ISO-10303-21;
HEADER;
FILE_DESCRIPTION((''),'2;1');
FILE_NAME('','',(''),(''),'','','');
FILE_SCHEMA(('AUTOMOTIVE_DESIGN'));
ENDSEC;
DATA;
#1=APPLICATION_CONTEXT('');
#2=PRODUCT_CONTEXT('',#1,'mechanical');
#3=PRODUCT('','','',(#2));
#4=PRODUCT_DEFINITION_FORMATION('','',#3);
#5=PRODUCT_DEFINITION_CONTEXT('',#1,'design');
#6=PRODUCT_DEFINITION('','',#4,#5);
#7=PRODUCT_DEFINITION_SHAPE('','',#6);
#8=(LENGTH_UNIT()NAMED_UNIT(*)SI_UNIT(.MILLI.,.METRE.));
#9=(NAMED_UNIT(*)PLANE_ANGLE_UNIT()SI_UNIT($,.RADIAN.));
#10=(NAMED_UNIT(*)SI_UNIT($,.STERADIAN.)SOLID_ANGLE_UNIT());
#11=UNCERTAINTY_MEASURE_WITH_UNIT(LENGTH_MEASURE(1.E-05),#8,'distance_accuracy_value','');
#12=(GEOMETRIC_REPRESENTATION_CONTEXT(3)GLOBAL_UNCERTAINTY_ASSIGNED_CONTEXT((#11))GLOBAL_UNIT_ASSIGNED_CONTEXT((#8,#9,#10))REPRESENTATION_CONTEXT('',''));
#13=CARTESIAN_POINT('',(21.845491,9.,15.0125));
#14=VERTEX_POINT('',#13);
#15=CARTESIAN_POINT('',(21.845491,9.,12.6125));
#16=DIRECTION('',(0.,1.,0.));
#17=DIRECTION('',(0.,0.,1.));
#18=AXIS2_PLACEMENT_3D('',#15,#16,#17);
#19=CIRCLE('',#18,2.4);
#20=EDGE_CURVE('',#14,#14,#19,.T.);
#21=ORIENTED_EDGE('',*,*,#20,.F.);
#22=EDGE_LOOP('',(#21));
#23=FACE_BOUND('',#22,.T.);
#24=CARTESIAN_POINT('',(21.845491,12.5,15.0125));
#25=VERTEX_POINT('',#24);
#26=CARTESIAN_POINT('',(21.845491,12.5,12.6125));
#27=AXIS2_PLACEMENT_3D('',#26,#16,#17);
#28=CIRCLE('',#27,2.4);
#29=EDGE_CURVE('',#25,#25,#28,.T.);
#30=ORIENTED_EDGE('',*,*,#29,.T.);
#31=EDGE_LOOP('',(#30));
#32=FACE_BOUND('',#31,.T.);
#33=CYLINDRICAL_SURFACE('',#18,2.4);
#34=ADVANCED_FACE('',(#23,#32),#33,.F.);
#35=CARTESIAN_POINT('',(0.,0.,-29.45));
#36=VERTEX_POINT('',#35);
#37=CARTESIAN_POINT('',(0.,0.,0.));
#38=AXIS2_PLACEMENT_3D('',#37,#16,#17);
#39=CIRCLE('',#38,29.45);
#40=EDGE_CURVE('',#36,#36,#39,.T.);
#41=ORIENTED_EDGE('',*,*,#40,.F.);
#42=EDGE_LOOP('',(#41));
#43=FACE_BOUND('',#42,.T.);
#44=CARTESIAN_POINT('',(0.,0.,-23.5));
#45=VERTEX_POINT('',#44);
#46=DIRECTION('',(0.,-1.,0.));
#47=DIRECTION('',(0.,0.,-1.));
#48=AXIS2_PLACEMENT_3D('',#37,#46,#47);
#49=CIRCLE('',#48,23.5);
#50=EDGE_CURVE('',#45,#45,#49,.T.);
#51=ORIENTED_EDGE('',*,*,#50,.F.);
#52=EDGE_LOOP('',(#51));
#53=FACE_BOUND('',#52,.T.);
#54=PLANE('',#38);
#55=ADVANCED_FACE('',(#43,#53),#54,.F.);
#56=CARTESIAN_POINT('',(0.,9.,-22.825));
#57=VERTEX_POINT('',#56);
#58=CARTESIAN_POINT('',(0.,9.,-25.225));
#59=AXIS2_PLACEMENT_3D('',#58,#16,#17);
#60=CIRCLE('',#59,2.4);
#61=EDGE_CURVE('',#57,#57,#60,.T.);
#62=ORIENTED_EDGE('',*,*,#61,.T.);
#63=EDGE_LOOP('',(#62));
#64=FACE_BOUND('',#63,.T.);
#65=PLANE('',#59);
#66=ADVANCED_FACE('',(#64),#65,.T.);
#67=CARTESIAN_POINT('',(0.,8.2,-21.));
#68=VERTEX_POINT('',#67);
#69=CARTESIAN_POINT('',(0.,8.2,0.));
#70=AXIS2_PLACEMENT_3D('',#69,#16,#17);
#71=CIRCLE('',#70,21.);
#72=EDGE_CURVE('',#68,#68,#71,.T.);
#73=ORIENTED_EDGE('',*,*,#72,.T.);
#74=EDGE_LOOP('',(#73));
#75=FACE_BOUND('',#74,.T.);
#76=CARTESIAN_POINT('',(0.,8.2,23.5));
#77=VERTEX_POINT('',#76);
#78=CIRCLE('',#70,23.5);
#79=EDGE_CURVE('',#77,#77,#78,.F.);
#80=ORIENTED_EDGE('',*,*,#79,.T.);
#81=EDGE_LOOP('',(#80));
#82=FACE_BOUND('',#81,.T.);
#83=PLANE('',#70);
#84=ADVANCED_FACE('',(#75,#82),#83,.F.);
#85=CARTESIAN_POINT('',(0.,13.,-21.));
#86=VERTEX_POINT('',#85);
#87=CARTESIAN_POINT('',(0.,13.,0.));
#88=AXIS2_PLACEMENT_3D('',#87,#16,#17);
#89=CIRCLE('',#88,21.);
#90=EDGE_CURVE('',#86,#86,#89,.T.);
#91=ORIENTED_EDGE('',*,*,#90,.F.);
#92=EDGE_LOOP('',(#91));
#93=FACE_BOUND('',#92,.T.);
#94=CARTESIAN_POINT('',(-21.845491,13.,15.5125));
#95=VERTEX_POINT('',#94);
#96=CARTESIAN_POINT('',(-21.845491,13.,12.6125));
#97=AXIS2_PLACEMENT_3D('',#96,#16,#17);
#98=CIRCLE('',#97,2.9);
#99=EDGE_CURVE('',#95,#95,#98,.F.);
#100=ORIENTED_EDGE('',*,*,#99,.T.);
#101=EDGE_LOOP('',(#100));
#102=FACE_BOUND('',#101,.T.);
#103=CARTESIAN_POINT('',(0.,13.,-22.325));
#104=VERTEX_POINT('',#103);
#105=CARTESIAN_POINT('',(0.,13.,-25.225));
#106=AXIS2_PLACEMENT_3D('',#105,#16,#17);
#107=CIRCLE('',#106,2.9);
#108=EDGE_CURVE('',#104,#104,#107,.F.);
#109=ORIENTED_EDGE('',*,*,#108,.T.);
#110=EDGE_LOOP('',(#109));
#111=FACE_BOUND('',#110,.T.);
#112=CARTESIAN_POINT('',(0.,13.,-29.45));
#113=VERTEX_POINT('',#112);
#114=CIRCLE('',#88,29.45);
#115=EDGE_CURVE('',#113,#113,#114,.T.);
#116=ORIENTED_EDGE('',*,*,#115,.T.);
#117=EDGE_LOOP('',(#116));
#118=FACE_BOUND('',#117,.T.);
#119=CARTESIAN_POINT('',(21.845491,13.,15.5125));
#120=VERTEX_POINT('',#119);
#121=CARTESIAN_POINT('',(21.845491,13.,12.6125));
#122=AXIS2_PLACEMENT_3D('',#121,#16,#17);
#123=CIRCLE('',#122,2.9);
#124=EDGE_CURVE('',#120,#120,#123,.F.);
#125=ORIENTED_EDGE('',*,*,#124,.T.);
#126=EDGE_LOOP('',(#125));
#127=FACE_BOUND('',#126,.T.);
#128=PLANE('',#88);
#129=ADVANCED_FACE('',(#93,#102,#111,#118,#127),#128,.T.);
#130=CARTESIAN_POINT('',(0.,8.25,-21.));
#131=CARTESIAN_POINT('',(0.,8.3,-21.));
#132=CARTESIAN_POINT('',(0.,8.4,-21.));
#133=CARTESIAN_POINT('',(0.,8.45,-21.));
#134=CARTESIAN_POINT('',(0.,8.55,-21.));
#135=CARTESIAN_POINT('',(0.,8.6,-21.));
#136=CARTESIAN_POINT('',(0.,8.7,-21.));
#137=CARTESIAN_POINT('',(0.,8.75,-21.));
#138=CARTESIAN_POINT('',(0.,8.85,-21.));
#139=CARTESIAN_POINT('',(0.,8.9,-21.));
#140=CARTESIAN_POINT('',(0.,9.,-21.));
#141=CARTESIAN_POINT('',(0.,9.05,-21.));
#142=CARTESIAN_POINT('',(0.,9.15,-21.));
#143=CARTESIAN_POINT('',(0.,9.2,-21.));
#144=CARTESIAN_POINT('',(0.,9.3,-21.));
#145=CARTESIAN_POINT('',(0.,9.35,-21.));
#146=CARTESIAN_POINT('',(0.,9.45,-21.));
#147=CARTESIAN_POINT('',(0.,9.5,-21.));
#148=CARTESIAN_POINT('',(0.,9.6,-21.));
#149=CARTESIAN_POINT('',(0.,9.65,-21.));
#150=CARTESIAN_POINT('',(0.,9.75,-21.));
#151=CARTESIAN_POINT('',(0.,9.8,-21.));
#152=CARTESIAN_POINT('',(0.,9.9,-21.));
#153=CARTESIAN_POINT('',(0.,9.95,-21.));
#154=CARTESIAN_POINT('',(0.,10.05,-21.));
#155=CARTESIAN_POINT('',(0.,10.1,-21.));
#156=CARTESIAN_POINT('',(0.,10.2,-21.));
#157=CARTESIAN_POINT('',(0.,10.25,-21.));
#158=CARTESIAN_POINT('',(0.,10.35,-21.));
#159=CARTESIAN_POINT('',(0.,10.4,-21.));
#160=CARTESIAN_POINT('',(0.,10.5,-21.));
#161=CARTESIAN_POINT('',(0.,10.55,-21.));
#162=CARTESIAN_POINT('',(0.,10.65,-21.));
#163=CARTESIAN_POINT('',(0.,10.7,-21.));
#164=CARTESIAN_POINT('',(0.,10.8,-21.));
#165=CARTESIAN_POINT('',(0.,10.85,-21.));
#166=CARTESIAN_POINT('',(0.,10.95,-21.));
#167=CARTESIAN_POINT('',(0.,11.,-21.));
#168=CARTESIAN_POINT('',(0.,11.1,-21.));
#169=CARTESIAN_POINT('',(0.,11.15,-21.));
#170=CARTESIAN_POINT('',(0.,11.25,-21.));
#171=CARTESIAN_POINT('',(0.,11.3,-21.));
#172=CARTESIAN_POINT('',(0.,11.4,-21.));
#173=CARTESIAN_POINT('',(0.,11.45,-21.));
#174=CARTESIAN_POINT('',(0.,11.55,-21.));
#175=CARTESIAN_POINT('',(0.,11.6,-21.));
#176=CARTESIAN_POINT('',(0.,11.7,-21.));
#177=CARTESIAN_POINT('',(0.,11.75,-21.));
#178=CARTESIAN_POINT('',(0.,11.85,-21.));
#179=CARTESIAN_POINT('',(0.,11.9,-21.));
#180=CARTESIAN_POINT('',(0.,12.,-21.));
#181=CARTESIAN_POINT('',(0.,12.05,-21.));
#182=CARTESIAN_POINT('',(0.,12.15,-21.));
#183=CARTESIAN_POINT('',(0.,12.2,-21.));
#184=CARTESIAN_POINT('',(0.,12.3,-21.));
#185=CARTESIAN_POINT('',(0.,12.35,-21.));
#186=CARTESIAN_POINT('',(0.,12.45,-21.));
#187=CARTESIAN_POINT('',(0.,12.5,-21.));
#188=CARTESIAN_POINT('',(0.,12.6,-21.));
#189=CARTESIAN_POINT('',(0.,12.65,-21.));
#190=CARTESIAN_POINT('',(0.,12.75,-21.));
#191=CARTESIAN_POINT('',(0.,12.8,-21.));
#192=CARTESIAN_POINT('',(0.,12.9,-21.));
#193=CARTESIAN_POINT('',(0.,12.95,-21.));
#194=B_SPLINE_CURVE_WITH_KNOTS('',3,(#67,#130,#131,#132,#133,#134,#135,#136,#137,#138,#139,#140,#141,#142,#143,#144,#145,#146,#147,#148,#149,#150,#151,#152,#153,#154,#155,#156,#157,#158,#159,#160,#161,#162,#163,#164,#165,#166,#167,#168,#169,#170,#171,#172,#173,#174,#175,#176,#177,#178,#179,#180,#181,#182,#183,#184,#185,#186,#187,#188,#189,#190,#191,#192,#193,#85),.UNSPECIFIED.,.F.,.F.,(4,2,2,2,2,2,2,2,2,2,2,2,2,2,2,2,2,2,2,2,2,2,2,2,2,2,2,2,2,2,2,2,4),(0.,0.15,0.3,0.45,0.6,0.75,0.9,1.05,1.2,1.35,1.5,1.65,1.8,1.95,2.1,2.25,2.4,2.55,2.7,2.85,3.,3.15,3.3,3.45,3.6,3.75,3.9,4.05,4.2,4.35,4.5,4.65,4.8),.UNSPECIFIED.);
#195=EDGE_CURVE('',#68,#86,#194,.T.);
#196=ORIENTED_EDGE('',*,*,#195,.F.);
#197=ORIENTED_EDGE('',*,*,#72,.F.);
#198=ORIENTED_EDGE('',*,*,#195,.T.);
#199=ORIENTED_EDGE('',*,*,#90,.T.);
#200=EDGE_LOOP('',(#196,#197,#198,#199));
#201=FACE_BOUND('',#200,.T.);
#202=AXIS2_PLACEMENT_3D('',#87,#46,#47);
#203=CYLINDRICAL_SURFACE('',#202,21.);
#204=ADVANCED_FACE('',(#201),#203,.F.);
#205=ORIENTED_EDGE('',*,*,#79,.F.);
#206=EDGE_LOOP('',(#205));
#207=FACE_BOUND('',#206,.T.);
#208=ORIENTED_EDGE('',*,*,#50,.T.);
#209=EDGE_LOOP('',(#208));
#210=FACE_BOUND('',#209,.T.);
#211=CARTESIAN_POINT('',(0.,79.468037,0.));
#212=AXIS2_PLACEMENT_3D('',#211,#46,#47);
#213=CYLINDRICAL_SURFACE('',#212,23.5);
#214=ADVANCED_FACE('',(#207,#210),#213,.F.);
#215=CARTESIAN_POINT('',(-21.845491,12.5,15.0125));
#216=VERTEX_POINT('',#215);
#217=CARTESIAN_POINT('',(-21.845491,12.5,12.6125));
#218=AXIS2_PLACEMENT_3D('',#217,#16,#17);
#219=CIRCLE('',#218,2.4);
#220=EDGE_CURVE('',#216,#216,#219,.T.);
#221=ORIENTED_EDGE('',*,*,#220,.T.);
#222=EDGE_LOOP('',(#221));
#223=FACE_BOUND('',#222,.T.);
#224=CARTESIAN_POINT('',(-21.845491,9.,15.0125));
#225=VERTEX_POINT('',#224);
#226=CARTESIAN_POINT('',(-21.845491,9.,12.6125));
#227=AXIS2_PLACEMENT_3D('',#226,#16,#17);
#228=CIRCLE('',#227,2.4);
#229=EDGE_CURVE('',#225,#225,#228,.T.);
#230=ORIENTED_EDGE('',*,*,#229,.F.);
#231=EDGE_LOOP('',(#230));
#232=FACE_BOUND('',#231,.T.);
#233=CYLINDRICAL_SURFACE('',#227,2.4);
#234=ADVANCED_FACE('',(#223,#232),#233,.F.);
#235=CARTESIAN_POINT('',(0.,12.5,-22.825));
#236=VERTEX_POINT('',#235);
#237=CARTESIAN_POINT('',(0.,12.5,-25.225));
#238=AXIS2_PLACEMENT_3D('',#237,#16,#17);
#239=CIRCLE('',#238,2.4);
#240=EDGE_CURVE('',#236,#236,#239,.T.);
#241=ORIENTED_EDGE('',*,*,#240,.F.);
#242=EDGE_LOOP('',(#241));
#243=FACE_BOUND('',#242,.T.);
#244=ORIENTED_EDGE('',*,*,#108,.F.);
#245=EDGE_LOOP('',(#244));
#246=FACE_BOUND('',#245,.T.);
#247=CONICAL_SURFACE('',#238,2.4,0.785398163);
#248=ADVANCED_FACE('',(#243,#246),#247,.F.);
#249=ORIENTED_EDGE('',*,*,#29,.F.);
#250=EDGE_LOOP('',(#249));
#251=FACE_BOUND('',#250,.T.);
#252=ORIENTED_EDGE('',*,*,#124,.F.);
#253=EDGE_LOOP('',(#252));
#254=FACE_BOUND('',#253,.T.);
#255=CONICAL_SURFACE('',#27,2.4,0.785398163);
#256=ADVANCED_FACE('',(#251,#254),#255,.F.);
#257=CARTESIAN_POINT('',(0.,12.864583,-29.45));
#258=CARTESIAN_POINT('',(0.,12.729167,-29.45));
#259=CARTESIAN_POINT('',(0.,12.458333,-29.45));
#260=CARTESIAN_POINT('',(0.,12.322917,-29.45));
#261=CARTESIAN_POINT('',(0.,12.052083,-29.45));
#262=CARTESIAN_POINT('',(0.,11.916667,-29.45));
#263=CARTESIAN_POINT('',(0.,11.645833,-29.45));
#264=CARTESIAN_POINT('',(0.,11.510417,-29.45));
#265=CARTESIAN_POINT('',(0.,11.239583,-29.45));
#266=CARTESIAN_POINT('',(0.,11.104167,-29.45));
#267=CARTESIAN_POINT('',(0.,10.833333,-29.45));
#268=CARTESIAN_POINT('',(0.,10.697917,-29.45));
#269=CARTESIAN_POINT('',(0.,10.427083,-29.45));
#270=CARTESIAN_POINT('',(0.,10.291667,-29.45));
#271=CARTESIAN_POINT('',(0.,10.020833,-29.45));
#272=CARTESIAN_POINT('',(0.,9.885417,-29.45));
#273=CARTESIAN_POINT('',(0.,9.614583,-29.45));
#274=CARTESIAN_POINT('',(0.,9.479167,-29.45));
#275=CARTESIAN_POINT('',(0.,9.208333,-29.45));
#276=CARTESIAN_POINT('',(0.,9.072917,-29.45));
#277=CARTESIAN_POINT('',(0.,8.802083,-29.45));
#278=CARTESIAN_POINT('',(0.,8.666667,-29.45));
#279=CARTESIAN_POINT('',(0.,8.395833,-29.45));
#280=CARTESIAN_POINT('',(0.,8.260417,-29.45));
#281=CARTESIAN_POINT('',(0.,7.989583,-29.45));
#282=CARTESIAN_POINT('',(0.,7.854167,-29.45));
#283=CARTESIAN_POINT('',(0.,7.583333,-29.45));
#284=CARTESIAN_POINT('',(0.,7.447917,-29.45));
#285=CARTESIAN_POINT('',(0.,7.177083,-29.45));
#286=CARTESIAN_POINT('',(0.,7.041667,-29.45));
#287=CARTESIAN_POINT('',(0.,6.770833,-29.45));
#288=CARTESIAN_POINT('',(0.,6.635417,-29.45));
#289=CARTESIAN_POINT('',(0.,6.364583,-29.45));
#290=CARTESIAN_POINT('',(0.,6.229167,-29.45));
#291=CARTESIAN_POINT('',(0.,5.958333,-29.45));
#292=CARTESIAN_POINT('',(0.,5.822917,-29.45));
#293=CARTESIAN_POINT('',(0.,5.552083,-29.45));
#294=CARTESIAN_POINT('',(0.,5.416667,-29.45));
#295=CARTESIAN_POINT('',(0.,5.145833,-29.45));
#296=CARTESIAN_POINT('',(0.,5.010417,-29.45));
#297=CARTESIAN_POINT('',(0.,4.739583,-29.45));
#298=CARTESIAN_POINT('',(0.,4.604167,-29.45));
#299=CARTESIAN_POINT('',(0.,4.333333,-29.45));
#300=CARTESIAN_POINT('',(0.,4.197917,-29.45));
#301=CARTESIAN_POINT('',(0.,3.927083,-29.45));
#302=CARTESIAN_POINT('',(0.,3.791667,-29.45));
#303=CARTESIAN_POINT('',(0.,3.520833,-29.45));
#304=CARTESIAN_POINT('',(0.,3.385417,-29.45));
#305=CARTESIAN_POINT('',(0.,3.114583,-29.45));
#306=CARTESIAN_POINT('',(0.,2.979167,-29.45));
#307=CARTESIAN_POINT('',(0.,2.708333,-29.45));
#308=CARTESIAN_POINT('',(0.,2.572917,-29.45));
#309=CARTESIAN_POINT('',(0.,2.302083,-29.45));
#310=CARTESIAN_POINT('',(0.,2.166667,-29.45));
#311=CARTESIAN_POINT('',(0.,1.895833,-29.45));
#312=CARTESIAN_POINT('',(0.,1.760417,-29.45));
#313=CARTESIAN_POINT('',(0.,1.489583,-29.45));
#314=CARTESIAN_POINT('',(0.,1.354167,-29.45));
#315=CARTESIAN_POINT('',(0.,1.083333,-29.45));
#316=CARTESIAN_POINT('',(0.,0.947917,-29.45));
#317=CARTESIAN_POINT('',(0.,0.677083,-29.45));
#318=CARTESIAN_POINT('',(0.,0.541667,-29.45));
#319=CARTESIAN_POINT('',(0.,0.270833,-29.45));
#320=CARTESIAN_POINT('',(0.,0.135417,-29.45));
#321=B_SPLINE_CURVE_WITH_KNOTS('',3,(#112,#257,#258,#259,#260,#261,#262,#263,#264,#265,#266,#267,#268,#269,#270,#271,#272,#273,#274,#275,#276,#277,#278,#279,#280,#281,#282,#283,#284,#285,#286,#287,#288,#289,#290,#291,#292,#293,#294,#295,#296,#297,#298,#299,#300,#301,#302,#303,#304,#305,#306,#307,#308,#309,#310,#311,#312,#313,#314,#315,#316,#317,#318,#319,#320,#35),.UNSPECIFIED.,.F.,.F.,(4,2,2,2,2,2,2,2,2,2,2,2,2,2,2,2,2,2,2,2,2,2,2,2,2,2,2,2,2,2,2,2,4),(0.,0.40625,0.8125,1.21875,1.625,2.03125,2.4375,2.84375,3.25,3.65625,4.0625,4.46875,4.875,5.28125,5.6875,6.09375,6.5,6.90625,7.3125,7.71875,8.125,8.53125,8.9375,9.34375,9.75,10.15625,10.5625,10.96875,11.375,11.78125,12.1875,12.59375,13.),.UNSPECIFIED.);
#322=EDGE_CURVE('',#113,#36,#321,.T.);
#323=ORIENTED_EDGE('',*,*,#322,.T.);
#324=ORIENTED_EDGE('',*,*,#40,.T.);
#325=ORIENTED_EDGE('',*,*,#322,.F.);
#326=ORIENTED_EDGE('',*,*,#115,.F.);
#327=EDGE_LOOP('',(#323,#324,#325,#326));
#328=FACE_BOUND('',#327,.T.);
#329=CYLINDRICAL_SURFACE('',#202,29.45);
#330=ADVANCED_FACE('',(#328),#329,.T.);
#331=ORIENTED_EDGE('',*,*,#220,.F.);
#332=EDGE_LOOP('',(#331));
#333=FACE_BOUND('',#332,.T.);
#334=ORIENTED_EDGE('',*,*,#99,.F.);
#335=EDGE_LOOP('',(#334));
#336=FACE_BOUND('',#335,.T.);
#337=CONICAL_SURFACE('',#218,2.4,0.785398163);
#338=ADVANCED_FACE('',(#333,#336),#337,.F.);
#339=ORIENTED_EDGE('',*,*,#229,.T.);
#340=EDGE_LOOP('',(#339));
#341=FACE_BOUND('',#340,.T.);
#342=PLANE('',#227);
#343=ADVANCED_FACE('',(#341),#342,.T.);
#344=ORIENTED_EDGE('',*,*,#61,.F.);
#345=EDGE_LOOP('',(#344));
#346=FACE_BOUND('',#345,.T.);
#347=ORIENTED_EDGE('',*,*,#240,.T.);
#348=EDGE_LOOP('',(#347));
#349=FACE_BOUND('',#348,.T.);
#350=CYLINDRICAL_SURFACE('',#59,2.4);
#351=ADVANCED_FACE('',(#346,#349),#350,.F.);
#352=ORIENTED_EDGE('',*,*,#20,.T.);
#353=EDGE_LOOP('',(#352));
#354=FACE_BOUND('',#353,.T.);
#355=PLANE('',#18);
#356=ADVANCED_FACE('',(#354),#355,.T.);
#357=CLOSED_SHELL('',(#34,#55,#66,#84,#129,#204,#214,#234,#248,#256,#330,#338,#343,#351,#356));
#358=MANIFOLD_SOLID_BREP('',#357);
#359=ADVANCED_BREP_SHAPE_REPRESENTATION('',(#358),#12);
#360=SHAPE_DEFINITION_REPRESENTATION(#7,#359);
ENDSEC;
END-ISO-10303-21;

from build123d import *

# Parameters (mm, degrees)
SKETCH1_R           = 29.45
SKETCH1_R_2         = 21
BOSS_EXTRUDE1_DEPTH = 13
SKETCH2_R           = 2.4
CUT_EXTRUDE1_DEPTH  = 4
CHAMFER1_SIZE       = 0.5
SKETCH4_R           = 23.5
CUT_EXTRUDE2_DEPTH  = 8.2


with BuildPart() as part:
    # Sketch1 → Boss-Extrude1 (new body)
    with BuildSketch(Plane(origin=(0, 0, 0), x_dir=(1, 0, 0), z_dir=(0, 1, 0))):
        with Locations(Location((0, 0, 0), (0, 0, 90))):
            Circle(SKETCH1_R)
        with Locations(Location((0, 0, 0), (0, 0, 90))):
            Circle(SKETCH1_R_2, mode=Mode.SUBTRACT)
    extrude(amount=BOSS_EXTRUDE1_DEPTH)

    # Sketch2 → Cut-Extrude1 (cut)
    with BuildSketch(Plane(origin=(0, 13, 0), x_dir=(1, 0, 0), z_dir=(0, 1, 0))):
        with Locations(Location((0, 25.225, 0), (0, 0, 270))):
            Circle(SKETCH2_R)
        with Locations(Location((21.84549081, -12.6125, 0), (0, 0, 270))):
            Circle(SKETCH2_R)
        with Locations(Location((-21.84549081, -12.6125, 0), (0, 0, 270))):
            Circle(SKETCH2_R)
    extrude(amount=-CUT_EXTRUDE1_DEPTH, mode=Mode.SUBTRACT)

    # Chamfer1
    chamfer1_edges = [part.edges().sort_by_distance(p)[0] for p in [
        (0, 13, -27.625),
        (21.84549081, 13, 10.2125),
        (-21.84549081, 13, 10.2125),
    ]]
    chamfer(chamfer1_edges, length=CHAMFER1_SIZE)

    # Sketch4 → Cut-Extrude2 (cut)
    with BuildSketch(Plane.XZ):
        with Locations(Location((0, 0, 0), (0, 0, 270))):
            Circle(SKETCH4_R)
    extrude(amount=-CUT_EXTRUDE2_DEPTH, mode=Mode.SUBTRACT)


solid = part.part
